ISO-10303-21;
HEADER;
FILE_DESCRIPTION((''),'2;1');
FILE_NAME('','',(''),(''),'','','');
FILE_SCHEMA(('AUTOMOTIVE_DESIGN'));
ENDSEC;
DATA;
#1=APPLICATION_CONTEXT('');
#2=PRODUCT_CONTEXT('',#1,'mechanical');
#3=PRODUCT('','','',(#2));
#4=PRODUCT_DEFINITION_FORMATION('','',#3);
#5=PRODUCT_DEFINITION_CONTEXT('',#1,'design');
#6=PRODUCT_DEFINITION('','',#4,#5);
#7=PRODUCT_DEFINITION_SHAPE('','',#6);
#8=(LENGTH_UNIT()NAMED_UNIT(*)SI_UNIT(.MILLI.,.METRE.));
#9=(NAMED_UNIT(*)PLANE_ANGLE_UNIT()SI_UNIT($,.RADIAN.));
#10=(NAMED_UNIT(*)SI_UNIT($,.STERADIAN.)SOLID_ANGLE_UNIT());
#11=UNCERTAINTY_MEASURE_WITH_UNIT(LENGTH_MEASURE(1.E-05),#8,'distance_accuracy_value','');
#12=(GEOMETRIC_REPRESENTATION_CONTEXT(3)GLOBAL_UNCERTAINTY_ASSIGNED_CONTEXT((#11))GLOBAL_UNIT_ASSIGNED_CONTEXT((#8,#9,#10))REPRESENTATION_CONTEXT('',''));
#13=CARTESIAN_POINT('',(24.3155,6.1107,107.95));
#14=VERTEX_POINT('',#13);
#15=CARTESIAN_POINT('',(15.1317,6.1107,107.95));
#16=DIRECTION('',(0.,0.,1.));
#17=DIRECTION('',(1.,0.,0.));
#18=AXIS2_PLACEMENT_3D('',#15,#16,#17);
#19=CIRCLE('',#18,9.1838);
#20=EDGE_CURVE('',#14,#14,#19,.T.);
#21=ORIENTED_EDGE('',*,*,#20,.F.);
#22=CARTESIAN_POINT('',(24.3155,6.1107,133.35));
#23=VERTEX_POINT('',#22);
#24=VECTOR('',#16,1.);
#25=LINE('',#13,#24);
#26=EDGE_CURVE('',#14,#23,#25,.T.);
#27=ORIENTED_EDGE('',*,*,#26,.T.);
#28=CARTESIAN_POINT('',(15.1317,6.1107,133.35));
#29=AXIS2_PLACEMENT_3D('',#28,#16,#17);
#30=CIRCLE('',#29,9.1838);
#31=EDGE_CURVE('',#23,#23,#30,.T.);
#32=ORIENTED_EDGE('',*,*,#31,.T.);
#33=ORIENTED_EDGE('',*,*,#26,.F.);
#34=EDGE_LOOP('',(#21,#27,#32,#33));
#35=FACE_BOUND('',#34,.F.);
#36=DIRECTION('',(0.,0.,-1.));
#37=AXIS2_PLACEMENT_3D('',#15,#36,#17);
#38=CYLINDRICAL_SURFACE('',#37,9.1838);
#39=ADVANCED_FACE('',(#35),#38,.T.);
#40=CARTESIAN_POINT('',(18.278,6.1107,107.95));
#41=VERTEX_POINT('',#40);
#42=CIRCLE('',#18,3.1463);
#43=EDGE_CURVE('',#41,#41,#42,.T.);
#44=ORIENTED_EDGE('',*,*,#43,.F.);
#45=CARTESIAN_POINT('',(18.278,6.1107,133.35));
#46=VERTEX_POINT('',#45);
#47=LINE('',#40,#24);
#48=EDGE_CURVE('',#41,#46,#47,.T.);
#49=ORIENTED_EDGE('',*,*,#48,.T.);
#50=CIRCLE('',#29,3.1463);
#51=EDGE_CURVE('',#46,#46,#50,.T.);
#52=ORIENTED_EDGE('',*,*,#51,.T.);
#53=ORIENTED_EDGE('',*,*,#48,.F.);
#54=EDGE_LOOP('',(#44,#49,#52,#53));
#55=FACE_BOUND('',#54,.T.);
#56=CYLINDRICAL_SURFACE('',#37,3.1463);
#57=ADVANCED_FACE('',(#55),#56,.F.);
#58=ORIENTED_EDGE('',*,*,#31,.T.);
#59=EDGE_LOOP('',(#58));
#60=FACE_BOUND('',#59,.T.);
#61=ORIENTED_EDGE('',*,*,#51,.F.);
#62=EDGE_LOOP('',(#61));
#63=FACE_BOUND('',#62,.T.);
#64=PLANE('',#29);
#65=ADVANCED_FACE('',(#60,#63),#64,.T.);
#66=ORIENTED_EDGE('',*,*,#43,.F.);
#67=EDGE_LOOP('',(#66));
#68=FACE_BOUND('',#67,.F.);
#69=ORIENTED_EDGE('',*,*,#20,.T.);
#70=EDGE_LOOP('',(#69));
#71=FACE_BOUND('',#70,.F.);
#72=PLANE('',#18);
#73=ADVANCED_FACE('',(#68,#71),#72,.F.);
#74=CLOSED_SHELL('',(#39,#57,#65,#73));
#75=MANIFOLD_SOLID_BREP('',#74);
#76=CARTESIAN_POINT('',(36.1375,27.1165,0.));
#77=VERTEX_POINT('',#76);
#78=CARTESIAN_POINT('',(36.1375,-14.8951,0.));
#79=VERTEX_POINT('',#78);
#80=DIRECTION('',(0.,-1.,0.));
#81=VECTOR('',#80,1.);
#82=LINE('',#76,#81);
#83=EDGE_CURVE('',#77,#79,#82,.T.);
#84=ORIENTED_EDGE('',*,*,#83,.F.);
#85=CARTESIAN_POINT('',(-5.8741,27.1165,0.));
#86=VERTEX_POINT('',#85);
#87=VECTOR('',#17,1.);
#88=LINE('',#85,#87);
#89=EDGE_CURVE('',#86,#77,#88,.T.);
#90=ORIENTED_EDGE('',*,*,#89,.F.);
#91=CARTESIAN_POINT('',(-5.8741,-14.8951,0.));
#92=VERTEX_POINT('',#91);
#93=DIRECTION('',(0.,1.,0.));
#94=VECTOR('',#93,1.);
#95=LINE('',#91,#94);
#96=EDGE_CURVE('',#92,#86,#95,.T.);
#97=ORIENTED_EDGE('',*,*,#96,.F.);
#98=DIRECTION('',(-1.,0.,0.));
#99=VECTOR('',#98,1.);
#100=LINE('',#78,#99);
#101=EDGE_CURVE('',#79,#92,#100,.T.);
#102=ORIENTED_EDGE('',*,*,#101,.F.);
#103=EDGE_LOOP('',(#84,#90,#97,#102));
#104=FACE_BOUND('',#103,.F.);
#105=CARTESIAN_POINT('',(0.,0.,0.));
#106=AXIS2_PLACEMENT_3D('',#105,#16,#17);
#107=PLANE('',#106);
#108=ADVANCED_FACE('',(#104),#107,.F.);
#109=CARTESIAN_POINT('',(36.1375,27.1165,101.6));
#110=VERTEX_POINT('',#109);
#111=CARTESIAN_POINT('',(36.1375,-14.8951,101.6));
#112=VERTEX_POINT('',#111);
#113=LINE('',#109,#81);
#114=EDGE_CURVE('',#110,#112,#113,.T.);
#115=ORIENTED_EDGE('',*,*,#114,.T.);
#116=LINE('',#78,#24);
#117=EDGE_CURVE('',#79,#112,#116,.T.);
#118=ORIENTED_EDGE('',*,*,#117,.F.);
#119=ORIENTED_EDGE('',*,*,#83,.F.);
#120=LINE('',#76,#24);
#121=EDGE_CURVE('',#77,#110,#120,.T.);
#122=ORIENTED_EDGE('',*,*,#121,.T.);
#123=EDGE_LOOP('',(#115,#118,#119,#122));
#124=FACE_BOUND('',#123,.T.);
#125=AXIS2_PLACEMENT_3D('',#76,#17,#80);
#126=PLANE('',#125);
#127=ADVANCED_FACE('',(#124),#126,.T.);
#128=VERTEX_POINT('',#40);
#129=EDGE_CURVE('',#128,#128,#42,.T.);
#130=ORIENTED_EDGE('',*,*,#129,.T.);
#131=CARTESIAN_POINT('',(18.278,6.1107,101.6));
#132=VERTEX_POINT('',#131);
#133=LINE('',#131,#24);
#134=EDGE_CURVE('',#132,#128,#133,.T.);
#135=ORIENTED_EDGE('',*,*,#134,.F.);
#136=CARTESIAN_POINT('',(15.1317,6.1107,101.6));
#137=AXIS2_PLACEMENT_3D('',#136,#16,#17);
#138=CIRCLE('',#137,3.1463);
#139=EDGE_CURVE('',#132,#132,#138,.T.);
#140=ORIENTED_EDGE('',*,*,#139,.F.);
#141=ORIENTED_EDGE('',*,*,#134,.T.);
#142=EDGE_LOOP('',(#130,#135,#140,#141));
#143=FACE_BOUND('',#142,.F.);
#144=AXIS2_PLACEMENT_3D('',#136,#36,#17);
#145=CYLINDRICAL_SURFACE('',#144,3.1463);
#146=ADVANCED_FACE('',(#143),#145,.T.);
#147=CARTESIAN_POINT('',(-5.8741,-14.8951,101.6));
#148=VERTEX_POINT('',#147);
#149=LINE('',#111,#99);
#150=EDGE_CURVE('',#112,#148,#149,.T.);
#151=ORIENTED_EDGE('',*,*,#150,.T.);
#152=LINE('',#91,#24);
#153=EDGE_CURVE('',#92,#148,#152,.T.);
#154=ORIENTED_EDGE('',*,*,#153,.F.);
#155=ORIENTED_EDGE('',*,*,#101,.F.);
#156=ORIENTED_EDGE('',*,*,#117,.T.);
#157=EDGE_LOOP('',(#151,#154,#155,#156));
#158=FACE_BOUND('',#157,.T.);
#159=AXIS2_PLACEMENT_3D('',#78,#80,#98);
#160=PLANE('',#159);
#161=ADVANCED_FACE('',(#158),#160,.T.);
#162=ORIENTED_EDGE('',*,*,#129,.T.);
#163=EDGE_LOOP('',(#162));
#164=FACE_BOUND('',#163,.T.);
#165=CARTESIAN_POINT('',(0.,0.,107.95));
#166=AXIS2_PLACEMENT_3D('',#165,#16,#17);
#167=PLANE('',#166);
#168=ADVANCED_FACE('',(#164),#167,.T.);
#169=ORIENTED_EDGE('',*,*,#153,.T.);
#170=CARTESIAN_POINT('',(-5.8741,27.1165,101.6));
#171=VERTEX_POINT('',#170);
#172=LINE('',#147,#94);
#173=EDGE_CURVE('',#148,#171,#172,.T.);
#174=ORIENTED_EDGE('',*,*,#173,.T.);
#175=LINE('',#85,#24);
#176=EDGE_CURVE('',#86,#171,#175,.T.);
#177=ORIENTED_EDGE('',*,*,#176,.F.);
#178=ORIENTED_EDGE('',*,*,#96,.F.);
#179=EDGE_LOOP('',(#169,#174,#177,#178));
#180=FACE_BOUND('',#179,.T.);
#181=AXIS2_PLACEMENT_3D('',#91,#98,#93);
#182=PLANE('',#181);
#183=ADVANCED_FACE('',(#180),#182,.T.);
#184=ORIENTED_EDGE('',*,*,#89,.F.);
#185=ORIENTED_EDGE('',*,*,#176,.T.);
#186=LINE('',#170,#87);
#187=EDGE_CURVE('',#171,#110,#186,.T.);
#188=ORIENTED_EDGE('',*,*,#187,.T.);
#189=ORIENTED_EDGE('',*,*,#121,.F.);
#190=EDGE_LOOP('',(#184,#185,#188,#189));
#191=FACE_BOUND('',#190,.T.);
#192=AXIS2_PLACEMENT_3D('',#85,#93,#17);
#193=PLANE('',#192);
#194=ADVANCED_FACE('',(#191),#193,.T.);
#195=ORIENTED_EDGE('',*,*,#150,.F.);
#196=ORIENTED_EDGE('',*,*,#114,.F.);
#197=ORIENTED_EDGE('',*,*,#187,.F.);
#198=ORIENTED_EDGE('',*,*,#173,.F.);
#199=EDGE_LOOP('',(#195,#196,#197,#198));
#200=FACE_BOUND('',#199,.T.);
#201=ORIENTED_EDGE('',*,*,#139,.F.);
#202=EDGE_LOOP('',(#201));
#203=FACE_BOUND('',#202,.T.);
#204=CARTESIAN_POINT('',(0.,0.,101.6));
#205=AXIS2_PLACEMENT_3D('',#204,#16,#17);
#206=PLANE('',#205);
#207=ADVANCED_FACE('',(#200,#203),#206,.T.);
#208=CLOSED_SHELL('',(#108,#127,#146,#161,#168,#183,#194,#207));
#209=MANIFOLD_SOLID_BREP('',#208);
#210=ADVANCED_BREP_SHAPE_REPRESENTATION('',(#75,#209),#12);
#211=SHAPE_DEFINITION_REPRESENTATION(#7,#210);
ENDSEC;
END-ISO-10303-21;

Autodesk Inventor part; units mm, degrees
ref_plane "YZ Plane" through (0, 0, 0) normal (1, 0, 0) x (0, 1, 0)
ref_plane "XZ Plane" through (0, 0, 0) normal (0, 1, 0) x (-1, 0, 0)
ref_plane "XY Plane" through (0, 0, 0) normal (0, 0, 1) x (1, 0, 0)
sketch "Sketch1" plane through (0, 0, 0) normal (0, 0, 1) x (1, 0, 0)
  line L0 (-5.8741, 27.1165) -> (36.1375, 27.1165)
  line L1 (36.1375, 27.1165) -> (36.1375, -14.8951)
  line L2 (36.1375, -14.8951) -> (-5.8741, -14.8951)
  line L3 (-5.8741, -14.8951) -> (-5.8741, 27.1165)
  point P0 (0, 0)
  dimension "d0" = 42.0116
  dimension "d1" = 42.0116
extrude "Extrusion1" add sketch "Sketch1" along normal blind 101.6
sketch "Sketch2" plane through (0, 0, 101.6) normal (0, 0, 1) x (1, 0, 0)
  circle A0 centre (15.1317, 6.1107) radius 3.1463
  point P0 (0, 0)
extrude "Extrusion2" add sketch "Sketch2" along normal blind 6.35
sketch "Sketch3" plane through (15.1317, 6.1107, 107.95) normal (0, 0, 1) x (1, 0, 0)
  circle A0 centre (0, 0) radius 3.1463 projected
  circle A1 centre (0, 0) radius 9.1838
  point P0 (-15.1317, -6.1107)
extrude "Extrusion3" add sketch "Sketch3" along normal blind 25.4
equation "\"d1\" = d0"
properties part number "Big stepper"
